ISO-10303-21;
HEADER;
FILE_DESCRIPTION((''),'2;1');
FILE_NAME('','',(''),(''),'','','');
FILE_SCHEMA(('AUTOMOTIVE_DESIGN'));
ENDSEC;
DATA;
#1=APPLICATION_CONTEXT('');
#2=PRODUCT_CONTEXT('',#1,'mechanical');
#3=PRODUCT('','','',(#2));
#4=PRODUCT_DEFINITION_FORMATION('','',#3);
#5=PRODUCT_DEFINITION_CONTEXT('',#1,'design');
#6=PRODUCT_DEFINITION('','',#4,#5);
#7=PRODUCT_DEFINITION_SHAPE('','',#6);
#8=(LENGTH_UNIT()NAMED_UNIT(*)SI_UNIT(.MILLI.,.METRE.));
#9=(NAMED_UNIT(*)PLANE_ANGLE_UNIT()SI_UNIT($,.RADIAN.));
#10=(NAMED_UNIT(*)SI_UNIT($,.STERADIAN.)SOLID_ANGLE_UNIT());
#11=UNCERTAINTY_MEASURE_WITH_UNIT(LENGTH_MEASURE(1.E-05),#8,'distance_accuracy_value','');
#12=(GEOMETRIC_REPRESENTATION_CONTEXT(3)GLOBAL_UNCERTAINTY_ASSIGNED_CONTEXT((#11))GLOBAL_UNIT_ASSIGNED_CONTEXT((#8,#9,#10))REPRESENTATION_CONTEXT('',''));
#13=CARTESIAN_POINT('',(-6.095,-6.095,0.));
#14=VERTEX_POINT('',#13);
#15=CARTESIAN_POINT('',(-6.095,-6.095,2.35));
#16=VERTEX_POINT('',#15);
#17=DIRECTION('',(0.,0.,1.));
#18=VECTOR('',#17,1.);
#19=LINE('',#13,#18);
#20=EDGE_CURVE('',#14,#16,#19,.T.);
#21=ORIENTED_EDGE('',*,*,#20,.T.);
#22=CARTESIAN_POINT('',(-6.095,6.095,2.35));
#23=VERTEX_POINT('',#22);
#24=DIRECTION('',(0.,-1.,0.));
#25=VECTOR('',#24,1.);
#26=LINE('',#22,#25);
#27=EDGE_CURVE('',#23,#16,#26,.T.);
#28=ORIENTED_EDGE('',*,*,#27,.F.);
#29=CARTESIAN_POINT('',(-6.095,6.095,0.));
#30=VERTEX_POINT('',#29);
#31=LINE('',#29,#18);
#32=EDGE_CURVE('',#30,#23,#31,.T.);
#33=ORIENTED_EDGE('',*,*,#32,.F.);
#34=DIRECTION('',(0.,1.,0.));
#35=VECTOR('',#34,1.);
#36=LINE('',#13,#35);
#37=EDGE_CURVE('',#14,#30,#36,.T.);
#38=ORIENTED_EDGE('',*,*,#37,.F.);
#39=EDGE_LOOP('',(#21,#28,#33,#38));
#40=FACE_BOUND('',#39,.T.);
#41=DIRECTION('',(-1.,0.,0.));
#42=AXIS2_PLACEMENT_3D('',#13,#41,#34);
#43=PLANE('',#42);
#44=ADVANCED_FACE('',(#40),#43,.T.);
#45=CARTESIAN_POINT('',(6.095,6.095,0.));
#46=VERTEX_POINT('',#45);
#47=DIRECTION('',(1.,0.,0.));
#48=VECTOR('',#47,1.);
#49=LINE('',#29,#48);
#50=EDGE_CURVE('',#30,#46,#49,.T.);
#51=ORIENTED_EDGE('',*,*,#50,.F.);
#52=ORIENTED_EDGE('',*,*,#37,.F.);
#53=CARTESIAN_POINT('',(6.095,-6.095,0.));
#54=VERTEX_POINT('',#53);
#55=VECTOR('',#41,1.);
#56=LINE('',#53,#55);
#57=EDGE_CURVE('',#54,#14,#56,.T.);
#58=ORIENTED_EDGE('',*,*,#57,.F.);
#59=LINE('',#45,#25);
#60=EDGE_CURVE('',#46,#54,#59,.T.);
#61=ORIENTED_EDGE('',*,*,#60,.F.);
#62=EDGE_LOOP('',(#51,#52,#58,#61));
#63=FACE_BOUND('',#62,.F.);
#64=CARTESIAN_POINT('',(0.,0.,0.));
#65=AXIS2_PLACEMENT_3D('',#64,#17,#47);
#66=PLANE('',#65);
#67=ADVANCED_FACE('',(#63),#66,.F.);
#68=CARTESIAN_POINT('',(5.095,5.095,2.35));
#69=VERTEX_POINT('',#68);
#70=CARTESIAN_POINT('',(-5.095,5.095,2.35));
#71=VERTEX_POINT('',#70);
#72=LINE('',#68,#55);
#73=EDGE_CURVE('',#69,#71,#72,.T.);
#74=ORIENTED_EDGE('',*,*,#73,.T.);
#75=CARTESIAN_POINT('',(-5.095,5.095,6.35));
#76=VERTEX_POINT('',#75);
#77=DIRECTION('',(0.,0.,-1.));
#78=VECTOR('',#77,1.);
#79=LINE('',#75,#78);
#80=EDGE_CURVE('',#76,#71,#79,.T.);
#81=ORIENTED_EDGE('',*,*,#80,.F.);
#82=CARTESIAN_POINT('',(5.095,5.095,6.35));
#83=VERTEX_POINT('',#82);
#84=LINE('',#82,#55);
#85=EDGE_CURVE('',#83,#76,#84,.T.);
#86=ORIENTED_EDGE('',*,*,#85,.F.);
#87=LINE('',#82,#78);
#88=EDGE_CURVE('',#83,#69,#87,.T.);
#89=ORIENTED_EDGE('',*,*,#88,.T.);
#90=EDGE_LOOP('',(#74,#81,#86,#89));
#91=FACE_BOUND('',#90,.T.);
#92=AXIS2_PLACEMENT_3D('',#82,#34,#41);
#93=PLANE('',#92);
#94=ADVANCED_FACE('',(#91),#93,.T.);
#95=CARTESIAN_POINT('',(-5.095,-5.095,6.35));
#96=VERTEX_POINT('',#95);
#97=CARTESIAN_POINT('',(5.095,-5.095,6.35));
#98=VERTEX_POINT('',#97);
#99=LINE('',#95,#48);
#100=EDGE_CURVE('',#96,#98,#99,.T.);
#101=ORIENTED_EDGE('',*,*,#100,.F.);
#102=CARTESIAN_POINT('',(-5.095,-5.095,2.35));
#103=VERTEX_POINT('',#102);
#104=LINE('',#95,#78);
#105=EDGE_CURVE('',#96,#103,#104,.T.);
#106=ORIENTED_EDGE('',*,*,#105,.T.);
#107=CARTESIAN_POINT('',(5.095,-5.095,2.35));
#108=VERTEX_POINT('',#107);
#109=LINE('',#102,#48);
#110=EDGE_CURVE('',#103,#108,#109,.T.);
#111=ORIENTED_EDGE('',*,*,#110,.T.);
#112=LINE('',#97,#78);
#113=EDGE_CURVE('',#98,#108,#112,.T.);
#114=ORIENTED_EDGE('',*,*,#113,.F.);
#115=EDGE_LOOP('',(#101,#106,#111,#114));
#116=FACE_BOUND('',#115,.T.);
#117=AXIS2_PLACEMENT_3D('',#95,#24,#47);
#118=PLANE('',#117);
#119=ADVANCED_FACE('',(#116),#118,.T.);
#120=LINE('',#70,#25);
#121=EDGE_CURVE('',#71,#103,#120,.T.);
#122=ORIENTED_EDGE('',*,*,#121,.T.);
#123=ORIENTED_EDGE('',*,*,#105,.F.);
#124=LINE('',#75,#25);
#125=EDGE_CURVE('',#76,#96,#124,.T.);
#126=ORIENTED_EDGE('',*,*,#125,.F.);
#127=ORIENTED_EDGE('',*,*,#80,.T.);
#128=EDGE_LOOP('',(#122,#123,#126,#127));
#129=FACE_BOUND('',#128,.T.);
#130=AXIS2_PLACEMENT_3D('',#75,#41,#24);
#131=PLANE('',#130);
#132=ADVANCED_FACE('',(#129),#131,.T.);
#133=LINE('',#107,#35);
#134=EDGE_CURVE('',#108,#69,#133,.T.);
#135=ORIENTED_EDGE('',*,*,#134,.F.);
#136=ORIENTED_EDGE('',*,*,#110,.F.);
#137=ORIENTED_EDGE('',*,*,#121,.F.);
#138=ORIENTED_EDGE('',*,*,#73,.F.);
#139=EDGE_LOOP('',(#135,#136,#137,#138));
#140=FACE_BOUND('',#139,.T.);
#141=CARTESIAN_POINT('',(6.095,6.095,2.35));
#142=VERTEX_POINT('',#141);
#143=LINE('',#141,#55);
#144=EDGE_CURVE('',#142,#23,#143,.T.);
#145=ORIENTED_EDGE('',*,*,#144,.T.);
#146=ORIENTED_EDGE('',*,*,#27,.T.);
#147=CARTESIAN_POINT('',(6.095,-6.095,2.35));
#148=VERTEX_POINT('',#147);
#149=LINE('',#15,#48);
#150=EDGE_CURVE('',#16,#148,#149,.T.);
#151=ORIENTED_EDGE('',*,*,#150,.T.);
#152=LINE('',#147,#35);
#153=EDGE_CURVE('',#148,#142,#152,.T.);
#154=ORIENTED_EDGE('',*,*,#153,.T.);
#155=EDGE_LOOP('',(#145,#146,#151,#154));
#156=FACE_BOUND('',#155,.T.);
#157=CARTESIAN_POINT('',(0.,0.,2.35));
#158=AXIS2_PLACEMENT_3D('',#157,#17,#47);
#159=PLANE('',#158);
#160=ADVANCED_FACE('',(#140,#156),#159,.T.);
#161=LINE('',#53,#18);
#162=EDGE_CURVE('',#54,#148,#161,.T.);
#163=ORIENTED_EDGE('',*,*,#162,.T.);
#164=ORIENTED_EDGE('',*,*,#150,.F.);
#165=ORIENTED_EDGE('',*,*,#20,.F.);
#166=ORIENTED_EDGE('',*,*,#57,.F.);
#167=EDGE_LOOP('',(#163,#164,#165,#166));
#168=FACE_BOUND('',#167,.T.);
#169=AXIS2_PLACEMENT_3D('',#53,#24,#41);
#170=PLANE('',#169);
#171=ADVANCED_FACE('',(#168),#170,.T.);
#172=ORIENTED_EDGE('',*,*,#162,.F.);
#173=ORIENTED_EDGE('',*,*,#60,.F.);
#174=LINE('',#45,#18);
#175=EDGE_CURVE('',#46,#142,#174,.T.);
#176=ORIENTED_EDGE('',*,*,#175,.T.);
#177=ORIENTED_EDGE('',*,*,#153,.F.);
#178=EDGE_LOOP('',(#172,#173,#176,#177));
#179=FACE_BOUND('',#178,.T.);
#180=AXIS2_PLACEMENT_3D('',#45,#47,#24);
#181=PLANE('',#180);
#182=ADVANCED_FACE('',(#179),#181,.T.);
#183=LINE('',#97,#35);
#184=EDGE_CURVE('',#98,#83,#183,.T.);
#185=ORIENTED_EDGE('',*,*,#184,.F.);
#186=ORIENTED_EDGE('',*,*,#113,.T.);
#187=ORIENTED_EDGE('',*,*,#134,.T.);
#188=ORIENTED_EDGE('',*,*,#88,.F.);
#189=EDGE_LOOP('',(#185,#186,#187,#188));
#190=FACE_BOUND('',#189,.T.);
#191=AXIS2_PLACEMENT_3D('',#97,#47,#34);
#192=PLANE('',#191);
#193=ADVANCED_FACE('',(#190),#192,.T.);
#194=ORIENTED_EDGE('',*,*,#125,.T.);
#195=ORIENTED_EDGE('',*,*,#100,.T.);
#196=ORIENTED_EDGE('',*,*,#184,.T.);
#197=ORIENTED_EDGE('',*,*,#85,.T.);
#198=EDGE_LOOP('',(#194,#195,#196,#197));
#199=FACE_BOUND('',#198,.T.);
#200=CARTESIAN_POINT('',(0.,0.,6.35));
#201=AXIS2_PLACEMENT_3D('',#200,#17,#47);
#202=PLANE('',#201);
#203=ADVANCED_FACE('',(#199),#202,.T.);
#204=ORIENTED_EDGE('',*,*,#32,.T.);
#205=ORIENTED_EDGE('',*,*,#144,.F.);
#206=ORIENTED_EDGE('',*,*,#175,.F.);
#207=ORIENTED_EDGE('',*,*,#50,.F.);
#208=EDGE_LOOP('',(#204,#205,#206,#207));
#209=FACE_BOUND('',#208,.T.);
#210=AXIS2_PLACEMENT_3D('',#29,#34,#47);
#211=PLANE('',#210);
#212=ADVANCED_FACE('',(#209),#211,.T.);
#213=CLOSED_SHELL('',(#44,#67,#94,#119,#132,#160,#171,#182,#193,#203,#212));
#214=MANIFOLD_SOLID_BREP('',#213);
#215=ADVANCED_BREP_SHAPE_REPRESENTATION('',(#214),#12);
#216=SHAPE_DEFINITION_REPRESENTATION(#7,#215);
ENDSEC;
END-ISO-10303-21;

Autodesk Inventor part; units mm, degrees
ref_plane "YZ Plane" through (0, 0, 0) normal (1, 0, 0) x (0, 1, 0)
ref_plane "XZ Plane" through (0, 0, 0) normal (0, 1, 0) x (-1, 0, 0)
ref_plane "XY Plane" through (0, 0, 0) normal (0, 0, 1) x (1, 0, 0)
sketch "スケッチ1" plane through (0, 0, 0) normal (0, 0, 1) x (1, 0, 0)
  line L0 (-6.095, 6.095) -> (6.095, 6.095)
  line L1 (6.095, 6.095) -> (6.095, -6.095)
  line L2 (6.095, -6.095) -> (-6.095, -6.095)
  line L3 (-6.095, -6.095) -> (-6.095, 6.095)
  line L4 (-6.095, 6.095) -> (6.095, -6.095) construction
  line L5 (6.095, 6.095) -> (-6.095, -6.095) construction
  point P0 (0, 0)
  dimension "d0" = 12.19
  dimension "d1" = 12.19
extrude "押し出し1" add sketch "スケッチ1" along normal blind 6.35
sketch "スケッチ2" plane through (0, 0, 6.35) normal (0, 0, 1) x (1, 0, 0)
  line L0 (6.095, 6.095) -> (-6.095, 6.095) projected
  line L1 (-6.095, -6.095) -> (6.095, -6.095)
  line L2 (6.095, -6.095) -> (6.095, 6.095)
  line L3 (6.095, 6.095) -> (-6.095, 6.095)
  line L4 (-6.095, 6.095) -> (-6.095, -6.095)
  line L5 (-6.095, -6.095) -> (6.095, 6.095) construction
  line L6 (6.095, -6.095) -> (-6.095, 6.095) construction
  line L7 (-5.095, -5.095) -> (5.095, -5.095)
  line L8 (5.095, -5.095) -> (5.095, 5.095)
  line L9 (5.095, 5.095) -> (-5.095, 5.095)
  line L10 (-5.095, 5.095) -> (-5.095, -5.095)
  point P0 (0, 0)
  dimension "d4" = 1
extrude "押し出し2" cut sketch "スケッチ2" against normal blind 4
properties part number "Circuit_OKL-T3-W12N-C"
